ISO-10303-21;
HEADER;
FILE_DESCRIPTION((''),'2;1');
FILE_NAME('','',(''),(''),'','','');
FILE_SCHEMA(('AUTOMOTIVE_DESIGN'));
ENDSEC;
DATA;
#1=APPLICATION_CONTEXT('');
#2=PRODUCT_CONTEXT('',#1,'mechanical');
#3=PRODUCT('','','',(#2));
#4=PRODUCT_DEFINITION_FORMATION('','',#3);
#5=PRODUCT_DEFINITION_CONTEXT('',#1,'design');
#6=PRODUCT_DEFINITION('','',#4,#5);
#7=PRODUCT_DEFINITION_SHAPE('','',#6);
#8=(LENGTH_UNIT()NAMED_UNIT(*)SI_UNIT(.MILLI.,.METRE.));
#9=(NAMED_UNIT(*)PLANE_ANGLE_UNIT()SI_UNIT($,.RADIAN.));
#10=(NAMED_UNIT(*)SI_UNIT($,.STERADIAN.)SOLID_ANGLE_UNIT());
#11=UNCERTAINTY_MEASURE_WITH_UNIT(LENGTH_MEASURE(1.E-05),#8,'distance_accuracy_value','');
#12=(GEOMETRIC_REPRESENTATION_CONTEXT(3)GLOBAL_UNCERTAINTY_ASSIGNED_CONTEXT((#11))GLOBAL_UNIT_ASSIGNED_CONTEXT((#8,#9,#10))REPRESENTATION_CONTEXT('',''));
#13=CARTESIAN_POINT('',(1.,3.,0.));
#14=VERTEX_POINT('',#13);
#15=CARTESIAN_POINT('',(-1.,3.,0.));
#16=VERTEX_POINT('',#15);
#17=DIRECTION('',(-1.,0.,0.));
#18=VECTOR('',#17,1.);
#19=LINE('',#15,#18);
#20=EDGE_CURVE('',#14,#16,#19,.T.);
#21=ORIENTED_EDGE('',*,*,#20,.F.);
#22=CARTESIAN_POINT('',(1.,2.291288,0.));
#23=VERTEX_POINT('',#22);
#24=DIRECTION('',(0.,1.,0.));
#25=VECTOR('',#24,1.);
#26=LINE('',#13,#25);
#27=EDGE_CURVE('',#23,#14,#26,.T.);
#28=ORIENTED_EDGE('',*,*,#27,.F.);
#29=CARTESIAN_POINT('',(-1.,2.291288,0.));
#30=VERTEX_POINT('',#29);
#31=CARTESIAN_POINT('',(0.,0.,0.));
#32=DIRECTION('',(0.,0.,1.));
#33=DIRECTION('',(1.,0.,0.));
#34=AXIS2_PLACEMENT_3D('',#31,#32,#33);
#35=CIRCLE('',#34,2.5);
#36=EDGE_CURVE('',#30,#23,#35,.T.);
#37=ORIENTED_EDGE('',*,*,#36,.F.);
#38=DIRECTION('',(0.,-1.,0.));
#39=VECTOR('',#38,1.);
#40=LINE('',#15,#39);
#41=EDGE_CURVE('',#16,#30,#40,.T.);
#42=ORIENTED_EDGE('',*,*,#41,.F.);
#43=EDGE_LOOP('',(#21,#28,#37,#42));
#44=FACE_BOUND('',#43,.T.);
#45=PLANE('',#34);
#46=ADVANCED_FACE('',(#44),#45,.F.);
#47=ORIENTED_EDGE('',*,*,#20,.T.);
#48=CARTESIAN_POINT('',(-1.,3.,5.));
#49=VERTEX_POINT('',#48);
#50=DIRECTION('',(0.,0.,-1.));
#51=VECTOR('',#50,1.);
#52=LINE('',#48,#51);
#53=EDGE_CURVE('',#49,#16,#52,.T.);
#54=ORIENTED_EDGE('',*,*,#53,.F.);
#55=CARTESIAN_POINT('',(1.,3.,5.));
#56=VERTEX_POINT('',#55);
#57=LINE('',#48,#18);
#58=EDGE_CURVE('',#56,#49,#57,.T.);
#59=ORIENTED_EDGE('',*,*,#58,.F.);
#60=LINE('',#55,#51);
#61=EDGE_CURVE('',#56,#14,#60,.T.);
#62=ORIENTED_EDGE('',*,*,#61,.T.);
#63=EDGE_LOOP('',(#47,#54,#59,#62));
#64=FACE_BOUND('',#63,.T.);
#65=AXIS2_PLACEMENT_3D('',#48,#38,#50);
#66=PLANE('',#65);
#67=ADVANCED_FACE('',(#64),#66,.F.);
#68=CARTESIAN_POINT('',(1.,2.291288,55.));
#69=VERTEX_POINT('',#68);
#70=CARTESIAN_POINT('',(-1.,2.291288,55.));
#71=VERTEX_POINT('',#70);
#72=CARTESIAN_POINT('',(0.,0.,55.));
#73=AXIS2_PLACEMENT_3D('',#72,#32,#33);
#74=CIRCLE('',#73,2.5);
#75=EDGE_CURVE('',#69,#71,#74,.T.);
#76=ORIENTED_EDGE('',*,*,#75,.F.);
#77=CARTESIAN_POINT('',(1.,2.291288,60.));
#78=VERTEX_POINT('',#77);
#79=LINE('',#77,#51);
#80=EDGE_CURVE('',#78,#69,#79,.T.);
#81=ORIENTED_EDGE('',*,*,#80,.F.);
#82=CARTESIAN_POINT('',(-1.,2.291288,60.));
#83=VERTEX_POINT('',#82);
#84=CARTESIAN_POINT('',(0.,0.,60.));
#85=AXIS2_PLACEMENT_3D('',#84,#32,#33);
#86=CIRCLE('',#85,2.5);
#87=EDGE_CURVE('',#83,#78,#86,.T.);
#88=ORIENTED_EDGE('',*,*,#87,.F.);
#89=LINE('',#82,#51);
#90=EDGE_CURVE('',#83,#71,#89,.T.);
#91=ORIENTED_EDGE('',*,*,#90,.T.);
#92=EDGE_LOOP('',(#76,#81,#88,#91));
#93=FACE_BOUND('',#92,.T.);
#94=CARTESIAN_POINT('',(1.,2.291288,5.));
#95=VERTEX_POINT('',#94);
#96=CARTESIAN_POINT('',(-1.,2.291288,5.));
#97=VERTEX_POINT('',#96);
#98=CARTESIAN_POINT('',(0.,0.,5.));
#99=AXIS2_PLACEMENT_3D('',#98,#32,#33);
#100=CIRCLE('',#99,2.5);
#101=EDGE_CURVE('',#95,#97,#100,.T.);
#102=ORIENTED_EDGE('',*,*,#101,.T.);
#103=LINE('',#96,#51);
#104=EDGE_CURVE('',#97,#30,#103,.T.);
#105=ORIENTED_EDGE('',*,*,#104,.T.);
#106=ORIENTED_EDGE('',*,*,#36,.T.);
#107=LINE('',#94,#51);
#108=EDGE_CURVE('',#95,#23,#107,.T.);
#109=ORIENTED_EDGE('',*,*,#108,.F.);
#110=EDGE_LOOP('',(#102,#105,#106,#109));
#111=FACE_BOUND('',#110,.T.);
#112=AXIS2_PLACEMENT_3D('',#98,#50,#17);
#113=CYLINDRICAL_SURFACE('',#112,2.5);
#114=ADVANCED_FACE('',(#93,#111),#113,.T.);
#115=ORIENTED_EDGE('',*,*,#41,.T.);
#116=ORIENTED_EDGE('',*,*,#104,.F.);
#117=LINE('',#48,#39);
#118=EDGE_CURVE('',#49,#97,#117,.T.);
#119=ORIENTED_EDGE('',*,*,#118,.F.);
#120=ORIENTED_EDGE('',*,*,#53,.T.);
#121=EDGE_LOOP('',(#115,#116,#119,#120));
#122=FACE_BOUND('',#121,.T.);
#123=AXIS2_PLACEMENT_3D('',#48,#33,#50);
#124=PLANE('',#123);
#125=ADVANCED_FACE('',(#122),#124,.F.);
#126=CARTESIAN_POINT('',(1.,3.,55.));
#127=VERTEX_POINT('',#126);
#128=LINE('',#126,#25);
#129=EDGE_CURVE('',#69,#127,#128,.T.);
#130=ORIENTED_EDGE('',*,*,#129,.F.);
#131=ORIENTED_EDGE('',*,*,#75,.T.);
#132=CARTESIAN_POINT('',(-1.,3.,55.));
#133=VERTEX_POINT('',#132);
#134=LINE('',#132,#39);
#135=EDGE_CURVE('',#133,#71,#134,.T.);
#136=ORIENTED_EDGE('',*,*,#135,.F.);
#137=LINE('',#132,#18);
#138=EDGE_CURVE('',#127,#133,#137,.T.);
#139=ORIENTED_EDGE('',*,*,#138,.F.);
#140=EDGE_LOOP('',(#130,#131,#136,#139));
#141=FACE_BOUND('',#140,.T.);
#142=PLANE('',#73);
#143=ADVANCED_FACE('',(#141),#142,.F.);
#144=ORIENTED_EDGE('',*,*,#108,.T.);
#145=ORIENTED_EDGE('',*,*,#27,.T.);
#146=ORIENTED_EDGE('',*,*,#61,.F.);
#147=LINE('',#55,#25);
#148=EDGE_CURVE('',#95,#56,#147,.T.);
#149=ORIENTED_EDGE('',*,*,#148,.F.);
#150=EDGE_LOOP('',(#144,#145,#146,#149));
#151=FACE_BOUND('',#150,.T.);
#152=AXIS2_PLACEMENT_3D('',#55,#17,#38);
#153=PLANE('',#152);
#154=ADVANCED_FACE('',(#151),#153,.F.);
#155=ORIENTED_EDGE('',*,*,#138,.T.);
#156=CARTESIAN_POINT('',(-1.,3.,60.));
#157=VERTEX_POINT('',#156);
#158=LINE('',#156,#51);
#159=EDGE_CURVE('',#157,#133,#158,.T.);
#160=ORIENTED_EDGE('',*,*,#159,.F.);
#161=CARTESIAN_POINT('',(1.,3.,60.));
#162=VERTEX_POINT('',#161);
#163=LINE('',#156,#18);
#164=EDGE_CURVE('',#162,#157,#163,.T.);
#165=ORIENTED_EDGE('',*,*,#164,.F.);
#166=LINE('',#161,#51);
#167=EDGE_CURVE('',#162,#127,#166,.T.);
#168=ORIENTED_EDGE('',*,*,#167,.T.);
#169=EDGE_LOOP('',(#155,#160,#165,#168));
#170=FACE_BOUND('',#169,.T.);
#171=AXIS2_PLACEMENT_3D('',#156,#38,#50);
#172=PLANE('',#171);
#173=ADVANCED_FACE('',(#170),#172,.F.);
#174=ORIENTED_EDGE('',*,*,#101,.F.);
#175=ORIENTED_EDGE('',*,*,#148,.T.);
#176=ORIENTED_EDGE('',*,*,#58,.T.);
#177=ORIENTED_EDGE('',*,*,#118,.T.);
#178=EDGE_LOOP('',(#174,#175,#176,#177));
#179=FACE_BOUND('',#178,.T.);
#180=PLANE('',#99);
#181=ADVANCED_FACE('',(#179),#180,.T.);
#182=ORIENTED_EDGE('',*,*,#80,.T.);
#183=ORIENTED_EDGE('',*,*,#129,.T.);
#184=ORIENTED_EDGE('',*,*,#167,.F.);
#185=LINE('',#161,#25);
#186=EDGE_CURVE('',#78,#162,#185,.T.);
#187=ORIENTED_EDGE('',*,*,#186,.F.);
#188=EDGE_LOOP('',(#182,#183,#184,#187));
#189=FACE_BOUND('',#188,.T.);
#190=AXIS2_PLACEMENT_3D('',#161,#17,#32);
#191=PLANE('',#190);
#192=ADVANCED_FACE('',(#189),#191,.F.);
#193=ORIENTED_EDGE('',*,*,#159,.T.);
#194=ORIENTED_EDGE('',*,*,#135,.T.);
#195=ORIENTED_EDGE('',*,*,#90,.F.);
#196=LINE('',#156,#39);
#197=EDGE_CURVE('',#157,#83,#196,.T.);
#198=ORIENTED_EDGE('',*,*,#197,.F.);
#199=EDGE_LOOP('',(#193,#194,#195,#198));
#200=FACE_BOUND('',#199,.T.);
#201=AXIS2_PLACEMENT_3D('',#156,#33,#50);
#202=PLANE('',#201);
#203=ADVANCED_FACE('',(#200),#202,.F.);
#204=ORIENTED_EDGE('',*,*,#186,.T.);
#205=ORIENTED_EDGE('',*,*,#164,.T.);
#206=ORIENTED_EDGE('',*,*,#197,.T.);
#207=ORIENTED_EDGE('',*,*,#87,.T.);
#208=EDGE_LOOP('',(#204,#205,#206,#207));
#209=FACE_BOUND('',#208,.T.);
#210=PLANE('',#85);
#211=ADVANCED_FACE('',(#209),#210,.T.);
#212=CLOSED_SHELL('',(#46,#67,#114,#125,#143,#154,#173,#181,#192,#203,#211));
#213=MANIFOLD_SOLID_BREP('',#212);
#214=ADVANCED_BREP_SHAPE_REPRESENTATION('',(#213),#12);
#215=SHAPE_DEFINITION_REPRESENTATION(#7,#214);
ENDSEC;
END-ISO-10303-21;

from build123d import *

# Parameters (mm, degrees)
EXTRUDE_1_DEPTH = 5
SKETCH_2_R      = 2.5
EXTRUDE_2_DEPTH = 50
EXTRUDE_3_DEPTH = 5


with BuildPart() as part:
    # 草图1 → 凸台-拉伸1 (new body)
    with BuildSketch(Plane.XY):
        with BuildLine():
            Line((-1, 3), (1, 3))
            Line((1, 3), (1, 2.291287847))
            ThreePointArc((1, 2.291287847), (0, -2.5), (-1, 2.291287847))
            Line((-1, 2.291287847), (-1, 3))
        make_face()
    extrude(amount=EXTRUDE_1_DEPTH)

    # 草图2 → 凸台-拉伸2 (add)
    with BuildSketch(Plane.XY.offset(5)):
        with Locations(Location((0, 0, 0), (0, 0, 113.578178478))):
            Circle(SKETCH_2_R)
    extrude(amount=EXTRUDE_2_DEPTH)

    # 草图3 → 凸台-拉伸3 (add)
    with BuildSketch(Plane.XY.offset(55)):
        with BuildLine():
            Line((-1, 3), (1, 3))
            Line((1, 3), (1, 2.291287847))
            ThreePointArc((1, 2.291287847), (0, -2.5), (-1, 2.291287847))
            Line((-1, 2.291287847), (-1, 3))
        make_face()
    extrude(amount=EXTRUDE_3_DEPTH)


solid = part.part
